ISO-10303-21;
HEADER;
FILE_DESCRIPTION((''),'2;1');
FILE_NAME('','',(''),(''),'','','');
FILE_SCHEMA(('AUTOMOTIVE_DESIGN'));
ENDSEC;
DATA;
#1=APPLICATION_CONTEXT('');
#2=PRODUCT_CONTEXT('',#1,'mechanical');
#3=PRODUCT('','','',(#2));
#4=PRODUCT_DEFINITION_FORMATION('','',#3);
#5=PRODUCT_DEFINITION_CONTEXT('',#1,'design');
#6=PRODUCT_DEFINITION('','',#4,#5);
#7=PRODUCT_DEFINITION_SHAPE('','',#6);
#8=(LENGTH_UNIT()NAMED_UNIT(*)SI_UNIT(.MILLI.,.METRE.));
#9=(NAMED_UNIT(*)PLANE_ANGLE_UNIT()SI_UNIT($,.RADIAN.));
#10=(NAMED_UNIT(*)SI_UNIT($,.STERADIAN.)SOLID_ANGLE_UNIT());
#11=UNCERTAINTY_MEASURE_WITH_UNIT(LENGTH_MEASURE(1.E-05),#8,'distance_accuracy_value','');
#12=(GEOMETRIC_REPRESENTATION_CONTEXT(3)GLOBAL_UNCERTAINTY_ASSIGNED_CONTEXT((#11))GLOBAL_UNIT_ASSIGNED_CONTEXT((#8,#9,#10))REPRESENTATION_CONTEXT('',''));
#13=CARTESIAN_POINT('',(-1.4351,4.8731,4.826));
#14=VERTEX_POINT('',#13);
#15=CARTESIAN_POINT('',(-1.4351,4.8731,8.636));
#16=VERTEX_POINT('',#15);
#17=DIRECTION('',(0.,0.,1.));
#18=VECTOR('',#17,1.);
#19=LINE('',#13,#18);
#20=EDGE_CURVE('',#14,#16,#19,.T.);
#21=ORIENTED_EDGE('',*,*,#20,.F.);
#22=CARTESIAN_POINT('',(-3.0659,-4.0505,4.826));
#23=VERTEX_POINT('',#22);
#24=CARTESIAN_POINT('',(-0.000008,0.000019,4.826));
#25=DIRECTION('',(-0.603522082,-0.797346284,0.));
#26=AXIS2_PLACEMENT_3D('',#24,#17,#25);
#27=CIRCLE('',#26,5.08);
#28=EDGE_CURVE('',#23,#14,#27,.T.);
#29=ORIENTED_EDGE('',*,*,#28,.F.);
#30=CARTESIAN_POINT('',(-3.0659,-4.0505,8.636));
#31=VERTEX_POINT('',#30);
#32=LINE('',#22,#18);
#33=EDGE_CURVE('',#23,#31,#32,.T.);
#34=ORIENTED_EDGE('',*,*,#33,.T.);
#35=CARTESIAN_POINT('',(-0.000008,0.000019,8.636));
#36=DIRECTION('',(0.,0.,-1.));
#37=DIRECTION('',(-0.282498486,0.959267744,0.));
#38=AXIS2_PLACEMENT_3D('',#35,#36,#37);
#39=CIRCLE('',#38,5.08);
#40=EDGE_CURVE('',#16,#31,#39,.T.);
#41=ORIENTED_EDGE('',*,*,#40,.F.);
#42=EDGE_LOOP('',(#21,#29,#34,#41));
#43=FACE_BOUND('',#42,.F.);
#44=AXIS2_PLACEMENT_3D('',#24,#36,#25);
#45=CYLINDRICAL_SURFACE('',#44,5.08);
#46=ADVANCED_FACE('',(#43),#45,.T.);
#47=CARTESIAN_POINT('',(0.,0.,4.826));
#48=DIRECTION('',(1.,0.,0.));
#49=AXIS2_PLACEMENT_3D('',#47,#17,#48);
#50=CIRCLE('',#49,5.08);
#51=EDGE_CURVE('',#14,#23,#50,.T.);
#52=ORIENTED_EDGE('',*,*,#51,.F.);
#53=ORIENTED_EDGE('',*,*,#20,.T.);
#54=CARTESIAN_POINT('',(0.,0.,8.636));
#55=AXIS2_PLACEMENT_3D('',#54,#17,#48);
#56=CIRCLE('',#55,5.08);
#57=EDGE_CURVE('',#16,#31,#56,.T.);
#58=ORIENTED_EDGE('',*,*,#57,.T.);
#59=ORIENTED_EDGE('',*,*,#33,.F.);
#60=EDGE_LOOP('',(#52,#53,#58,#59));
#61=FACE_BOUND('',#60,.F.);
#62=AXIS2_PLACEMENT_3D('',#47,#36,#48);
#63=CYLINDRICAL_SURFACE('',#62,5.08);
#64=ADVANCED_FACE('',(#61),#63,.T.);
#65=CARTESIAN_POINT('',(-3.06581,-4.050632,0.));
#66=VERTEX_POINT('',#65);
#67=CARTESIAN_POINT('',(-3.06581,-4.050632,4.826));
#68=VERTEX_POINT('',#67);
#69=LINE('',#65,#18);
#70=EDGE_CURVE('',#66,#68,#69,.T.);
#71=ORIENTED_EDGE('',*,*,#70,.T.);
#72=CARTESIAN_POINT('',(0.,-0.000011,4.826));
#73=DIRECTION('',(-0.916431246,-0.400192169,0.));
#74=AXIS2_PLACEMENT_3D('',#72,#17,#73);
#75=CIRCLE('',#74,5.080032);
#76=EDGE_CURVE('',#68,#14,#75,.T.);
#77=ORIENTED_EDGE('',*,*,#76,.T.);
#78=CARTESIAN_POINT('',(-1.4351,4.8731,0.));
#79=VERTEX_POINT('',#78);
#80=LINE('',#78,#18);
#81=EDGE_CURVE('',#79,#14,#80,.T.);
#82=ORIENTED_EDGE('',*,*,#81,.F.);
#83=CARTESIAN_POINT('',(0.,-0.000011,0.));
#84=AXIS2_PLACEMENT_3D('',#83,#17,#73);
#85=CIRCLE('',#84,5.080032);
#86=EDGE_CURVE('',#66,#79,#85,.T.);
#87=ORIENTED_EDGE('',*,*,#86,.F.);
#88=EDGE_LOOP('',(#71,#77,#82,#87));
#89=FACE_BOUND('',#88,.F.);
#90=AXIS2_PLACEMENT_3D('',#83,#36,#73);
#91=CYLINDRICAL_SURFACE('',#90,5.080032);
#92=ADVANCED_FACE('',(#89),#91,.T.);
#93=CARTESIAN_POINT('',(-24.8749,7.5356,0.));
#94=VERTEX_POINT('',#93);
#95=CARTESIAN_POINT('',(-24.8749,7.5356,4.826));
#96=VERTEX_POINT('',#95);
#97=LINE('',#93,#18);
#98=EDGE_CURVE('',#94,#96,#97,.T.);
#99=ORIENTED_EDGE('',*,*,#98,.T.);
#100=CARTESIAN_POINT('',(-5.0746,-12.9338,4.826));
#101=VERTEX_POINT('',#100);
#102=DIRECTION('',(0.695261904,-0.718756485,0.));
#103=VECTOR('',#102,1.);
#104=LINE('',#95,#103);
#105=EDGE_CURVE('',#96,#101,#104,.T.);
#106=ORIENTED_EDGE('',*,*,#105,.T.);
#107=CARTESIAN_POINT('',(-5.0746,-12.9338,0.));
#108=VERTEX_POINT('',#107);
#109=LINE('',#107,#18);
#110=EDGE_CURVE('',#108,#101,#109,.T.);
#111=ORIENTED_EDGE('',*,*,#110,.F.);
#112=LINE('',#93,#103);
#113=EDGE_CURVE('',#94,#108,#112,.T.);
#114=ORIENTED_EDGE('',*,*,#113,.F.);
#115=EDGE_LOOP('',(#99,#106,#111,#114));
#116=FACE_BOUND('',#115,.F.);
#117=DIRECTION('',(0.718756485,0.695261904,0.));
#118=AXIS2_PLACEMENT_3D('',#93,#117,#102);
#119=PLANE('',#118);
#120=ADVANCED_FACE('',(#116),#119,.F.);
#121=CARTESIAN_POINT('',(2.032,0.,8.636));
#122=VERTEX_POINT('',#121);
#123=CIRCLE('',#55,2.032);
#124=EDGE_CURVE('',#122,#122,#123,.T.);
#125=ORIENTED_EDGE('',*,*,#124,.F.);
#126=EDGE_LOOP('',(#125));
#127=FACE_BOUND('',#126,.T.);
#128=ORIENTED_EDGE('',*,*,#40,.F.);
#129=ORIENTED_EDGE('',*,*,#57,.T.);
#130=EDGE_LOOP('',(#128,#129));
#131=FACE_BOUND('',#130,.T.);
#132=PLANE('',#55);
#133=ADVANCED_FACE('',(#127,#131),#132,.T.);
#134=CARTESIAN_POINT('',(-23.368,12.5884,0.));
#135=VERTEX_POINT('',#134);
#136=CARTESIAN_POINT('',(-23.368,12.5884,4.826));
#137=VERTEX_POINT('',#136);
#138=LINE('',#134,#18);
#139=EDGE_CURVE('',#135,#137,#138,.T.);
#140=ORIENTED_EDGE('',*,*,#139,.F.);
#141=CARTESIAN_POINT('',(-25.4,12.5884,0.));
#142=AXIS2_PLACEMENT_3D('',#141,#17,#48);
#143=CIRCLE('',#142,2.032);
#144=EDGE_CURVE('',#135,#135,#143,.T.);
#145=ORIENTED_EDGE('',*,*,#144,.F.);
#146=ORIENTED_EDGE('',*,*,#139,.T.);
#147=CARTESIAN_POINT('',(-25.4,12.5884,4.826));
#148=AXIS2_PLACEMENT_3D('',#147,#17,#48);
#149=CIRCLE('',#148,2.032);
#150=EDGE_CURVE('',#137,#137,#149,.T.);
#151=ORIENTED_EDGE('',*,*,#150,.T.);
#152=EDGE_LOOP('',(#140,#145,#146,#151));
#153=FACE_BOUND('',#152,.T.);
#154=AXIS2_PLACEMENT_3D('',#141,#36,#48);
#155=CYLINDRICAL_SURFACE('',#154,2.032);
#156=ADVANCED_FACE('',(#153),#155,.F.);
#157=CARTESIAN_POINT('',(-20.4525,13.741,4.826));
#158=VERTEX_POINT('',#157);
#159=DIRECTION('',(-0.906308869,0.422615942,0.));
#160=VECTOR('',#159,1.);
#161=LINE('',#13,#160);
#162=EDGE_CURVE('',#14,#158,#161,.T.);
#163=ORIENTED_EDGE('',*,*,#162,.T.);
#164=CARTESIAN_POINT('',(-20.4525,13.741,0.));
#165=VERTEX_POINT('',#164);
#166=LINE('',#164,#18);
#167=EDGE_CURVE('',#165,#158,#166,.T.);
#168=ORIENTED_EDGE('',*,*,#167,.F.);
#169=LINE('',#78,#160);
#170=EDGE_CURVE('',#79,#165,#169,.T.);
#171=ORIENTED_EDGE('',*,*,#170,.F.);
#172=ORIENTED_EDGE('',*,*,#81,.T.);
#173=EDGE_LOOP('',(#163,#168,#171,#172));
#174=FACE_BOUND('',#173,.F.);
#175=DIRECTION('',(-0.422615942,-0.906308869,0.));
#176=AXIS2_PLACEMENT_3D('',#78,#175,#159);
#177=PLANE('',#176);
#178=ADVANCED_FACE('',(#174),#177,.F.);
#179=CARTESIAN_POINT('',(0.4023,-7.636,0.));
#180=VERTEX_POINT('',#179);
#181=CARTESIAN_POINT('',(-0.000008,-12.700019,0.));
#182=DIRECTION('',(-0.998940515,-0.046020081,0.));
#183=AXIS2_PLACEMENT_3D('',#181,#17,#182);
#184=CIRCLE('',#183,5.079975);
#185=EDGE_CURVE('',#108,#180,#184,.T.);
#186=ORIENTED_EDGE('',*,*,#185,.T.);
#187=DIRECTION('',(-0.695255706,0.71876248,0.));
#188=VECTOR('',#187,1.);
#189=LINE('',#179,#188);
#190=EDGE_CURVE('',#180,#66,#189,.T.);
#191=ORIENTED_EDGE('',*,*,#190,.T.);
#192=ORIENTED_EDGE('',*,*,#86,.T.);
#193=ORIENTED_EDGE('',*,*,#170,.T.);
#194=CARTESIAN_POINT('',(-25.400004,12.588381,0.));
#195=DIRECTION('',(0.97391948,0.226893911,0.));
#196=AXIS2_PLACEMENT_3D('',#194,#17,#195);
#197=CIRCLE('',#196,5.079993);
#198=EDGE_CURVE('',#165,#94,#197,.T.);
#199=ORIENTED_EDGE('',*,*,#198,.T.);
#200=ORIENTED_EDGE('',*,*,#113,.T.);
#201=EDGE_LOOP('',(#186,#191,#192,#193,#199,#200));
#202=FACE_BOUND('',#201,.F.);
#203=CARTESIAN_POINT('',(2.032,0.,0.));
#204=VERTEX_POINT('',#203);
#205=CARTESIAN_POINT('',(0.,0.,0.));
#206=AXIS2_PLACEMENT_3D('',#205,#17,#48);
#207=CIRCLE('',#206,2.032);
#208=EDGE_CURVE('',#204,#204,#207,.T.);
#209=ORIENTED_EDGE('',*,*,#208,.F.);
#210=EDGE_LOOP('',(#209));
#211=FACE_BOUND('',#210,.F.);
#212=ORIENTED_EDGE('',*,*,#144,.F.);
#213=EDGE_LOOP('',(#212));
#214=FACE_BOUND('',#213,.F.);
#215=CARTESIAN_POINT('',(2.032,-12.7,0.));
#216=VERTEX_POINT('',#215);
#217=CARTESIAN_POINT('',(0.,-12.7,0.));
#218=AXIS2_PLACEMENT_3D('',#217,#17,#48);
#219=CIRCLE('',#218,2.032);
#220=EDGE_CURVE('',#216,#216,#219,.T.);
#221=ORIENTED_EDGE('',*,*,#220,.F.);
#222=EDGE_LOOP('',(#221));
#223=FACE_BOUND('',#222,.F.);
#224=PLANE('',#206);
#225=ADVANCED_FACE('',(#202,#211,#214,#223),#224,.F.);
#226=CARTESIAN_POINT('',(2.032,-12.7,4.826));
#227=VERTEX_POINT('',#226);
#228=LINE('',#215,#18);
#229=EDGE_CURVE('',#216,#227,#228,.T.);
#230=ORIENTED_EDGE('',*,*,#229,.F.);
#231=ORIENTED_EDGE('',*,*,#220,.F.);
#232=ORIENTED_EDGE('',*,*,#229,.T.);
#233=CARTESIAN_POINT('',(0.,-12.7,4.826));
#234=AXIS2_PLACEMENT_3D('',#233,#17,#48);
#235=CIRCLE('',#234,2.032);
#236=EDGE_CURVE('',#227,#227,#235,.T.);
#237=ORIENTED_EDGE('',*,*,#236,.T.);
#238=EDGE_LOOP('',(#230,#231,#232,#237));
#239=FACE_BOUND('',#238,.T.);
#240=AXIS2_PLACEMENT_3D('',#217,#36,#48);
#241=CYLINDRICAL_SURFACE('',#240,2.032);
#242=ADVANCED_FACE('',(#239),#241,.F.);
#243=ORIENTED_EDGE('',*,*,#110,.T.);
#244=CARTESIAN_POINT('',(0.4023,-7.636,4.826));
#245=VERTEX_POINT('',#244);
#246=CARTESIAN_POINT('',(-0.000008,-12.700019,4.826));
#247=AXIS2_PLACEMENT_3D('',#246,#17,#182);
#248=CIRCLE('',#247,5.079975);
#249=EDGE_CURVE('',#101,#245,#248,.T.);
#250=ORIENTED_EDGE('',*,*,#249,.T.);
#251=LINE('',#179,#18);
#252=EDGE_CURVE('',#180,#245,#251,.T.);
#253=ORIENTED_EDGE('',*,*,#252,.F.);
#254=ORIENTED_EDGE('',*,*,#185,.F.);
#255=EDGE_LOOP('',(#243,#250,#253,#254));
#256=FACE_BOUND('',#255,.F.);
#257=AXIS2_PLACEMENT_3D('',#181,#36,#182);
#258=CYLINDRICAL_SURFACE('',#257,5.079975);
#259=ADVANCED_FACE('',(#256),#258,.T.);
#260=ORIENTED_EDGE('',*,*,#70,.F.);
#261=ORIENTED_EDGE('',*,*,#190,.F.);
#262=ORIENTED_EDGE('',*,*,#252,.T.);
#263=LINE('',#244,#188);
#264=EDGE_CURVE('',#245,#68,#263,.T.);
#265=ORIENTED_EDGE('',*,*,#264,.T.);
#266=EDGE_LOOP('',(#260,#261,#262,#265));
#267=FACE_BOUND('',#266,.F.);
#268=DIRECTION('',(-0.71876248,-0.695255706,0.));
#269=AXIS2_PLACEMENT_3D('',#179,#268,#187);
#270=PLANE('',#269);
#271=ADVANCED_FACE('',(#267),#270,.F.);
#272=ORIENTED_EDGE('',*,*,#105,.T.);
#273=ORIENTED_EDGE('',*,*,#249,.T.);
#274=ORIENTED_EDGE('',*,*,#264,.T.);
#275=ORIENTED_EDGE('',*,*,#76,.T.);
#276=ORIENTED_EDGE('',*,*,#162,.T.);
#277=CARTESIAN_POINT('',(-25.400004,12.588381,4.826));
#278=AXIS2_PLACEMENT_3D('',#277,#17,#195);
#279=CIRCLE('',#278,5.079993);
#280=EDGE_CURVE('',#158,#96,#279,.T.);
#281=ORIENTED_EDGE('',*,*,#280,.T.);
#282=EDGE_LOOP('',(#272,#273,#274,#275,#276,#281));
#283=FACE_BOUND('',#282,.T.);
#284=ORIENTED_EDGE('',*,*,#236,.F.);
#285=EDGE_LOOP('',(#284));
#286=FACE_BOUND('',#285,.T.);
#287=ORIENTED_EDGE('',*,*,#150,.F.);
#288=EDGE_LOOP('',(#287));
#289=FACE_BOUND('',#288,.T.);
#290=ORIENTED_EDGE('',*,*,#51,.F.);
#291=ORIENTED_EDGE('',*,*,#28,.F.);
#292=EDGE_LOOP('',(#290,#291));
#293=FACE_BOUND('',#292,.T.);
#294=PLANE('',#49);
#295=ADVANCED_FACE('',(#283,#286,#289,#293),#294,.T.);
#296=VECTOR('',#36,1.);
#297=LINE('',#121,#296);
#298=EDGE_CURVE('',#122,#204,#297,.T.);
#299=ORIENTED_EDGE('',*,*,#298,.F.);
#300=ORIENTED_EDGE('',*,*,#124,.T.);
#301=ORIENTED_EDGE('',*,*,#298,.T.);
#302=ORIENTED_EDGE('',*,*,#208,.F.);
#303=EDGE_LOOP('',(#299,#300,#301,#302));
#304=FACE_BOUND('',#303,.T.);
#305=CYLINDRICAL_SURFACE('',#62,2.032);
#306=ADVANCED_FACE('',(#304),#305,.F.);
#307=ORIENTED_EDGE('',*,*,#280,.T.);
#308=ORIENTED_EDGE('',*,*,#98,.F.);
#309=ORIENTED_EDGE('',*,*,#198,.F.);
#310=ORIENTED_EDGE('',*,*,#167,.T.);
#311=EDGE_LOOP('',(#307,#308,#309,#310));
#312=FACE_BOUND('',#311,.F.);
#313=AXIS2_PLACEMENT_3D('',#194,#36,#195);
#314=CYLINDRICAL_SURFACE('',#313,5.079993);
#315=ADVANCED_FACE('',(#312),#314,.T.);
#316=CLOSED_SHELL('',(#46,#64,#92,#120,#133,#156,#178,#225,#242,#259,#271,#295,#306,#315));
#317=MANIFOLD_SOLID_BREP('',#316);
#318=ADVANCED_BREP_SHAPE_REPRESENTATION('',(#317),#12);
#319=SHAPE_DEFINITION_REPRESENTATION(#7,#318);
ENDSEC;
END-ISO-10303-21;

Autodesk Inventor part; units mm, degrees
ref_plane "YZ Plane" through (0, 0, 0) normal (1, 0, 0) x (0, 1, 0)
ref_plane "XZ Plane" through (0, 0, 0) normal (0, 1, 0) x (-1, 0, 0)
ref_plane "XY Plane" through (0, 0, 0) normal (0, 0, 1) x (1, 0, 0)
sketch "Sketch1" plane through (0, 0, 0) normal (0, 0, 1) x (1, 0, 0)
  arc A0 (-4.6555, -2.033) -> (-1.4351, 4.8731) centre (0, 0) ccw
  circle A1 centre (0, 0) radius 2.032
  arc A2 (-5.0746, -12.9338) -> (0.4023, -7.636) centre (0, -12.7) ccw
  circle A3 centre (0, -12.7) radius 2.032
  line L0 (-24.8749, 7.5356) -> (-5.0746, -12.9338)
  line L1 (0.4023, -7.636) -> (-5.3149, -1.7255)
  line L2 (-1.4351, 4.8731) -> (-20.4525, 13.741)
  arc A4 (-20.4525, 13.741) -> (-24.8749, 7.5356) centre (-25.4, 12.5884) ccw
  circle A5 centre (-25.4, 12.5884) radius 2.032
  line L3 (-20.4525, 13.741) -> (-27.6972, 17.1193) construction
  line L4 (-24.8749, 7.5356) -> (-30.4325, 13.2811) construction
  line L5 (-4.6555, -2.033) -> (-5.3149, -1.7255)
  line L6 (0, 0) -> (25.4, 0) construction
  point P0 (-4.1501, -2.9296)
  point P1 (-3.0659, -4.0505)
  dimension "d0" = 10.16
  dimension "d1" = 4.064
  dimension "d7" = 10.16
  dimension "d8" = 4.064
  dimension "d9" = 12.7
  dimension "d10" = 7.62
  dimension "d11" = 3.81
  dimension "d20" = 10.16
  dimension "d21" = 4.064
  dimension "d25" = 7.62
  dimension "d29" = 25.4
  dimension "d30" = 7.62
  dimension "d31" = 3.81
  dimension "d32" = 25.4
  dimension "d33" = 25
extrude "Extrusion1" add sketch "Sketch1" along normal blind 4.826 contours L1 A2 L0 A4 L2 A0 | L1 A0 | A0 L1 L5
sketch "Sketch4" plane through (0, 0, 4.826) normal (0, 0, 1) x (1, 0, 0)
  arc A0 (-3.0659, -4.0505) -> (-1.4351, 4.8731) centre (0, 0) ccw projected
  circle A1 centre (0, 0) radius 2.032 projected
  circle A2 centre (0, 0) radius 5.08
  point P0 (-3.0659, -4.0505)
  point P1 (-4.1501, -2.9296)
  point P2 (-1.4351, 4.8731)
  point P3 (-4.6555, -2.033)
  point P4 (-4.1501, -2.9296)
extrude "Extrusion4" add sketch "Sketch4" along normal blind 3.81
equation "\"d8\" = d1"
equation "\"d11\" = 0.5 * d10"
properties part number "Tip Arm 1"
